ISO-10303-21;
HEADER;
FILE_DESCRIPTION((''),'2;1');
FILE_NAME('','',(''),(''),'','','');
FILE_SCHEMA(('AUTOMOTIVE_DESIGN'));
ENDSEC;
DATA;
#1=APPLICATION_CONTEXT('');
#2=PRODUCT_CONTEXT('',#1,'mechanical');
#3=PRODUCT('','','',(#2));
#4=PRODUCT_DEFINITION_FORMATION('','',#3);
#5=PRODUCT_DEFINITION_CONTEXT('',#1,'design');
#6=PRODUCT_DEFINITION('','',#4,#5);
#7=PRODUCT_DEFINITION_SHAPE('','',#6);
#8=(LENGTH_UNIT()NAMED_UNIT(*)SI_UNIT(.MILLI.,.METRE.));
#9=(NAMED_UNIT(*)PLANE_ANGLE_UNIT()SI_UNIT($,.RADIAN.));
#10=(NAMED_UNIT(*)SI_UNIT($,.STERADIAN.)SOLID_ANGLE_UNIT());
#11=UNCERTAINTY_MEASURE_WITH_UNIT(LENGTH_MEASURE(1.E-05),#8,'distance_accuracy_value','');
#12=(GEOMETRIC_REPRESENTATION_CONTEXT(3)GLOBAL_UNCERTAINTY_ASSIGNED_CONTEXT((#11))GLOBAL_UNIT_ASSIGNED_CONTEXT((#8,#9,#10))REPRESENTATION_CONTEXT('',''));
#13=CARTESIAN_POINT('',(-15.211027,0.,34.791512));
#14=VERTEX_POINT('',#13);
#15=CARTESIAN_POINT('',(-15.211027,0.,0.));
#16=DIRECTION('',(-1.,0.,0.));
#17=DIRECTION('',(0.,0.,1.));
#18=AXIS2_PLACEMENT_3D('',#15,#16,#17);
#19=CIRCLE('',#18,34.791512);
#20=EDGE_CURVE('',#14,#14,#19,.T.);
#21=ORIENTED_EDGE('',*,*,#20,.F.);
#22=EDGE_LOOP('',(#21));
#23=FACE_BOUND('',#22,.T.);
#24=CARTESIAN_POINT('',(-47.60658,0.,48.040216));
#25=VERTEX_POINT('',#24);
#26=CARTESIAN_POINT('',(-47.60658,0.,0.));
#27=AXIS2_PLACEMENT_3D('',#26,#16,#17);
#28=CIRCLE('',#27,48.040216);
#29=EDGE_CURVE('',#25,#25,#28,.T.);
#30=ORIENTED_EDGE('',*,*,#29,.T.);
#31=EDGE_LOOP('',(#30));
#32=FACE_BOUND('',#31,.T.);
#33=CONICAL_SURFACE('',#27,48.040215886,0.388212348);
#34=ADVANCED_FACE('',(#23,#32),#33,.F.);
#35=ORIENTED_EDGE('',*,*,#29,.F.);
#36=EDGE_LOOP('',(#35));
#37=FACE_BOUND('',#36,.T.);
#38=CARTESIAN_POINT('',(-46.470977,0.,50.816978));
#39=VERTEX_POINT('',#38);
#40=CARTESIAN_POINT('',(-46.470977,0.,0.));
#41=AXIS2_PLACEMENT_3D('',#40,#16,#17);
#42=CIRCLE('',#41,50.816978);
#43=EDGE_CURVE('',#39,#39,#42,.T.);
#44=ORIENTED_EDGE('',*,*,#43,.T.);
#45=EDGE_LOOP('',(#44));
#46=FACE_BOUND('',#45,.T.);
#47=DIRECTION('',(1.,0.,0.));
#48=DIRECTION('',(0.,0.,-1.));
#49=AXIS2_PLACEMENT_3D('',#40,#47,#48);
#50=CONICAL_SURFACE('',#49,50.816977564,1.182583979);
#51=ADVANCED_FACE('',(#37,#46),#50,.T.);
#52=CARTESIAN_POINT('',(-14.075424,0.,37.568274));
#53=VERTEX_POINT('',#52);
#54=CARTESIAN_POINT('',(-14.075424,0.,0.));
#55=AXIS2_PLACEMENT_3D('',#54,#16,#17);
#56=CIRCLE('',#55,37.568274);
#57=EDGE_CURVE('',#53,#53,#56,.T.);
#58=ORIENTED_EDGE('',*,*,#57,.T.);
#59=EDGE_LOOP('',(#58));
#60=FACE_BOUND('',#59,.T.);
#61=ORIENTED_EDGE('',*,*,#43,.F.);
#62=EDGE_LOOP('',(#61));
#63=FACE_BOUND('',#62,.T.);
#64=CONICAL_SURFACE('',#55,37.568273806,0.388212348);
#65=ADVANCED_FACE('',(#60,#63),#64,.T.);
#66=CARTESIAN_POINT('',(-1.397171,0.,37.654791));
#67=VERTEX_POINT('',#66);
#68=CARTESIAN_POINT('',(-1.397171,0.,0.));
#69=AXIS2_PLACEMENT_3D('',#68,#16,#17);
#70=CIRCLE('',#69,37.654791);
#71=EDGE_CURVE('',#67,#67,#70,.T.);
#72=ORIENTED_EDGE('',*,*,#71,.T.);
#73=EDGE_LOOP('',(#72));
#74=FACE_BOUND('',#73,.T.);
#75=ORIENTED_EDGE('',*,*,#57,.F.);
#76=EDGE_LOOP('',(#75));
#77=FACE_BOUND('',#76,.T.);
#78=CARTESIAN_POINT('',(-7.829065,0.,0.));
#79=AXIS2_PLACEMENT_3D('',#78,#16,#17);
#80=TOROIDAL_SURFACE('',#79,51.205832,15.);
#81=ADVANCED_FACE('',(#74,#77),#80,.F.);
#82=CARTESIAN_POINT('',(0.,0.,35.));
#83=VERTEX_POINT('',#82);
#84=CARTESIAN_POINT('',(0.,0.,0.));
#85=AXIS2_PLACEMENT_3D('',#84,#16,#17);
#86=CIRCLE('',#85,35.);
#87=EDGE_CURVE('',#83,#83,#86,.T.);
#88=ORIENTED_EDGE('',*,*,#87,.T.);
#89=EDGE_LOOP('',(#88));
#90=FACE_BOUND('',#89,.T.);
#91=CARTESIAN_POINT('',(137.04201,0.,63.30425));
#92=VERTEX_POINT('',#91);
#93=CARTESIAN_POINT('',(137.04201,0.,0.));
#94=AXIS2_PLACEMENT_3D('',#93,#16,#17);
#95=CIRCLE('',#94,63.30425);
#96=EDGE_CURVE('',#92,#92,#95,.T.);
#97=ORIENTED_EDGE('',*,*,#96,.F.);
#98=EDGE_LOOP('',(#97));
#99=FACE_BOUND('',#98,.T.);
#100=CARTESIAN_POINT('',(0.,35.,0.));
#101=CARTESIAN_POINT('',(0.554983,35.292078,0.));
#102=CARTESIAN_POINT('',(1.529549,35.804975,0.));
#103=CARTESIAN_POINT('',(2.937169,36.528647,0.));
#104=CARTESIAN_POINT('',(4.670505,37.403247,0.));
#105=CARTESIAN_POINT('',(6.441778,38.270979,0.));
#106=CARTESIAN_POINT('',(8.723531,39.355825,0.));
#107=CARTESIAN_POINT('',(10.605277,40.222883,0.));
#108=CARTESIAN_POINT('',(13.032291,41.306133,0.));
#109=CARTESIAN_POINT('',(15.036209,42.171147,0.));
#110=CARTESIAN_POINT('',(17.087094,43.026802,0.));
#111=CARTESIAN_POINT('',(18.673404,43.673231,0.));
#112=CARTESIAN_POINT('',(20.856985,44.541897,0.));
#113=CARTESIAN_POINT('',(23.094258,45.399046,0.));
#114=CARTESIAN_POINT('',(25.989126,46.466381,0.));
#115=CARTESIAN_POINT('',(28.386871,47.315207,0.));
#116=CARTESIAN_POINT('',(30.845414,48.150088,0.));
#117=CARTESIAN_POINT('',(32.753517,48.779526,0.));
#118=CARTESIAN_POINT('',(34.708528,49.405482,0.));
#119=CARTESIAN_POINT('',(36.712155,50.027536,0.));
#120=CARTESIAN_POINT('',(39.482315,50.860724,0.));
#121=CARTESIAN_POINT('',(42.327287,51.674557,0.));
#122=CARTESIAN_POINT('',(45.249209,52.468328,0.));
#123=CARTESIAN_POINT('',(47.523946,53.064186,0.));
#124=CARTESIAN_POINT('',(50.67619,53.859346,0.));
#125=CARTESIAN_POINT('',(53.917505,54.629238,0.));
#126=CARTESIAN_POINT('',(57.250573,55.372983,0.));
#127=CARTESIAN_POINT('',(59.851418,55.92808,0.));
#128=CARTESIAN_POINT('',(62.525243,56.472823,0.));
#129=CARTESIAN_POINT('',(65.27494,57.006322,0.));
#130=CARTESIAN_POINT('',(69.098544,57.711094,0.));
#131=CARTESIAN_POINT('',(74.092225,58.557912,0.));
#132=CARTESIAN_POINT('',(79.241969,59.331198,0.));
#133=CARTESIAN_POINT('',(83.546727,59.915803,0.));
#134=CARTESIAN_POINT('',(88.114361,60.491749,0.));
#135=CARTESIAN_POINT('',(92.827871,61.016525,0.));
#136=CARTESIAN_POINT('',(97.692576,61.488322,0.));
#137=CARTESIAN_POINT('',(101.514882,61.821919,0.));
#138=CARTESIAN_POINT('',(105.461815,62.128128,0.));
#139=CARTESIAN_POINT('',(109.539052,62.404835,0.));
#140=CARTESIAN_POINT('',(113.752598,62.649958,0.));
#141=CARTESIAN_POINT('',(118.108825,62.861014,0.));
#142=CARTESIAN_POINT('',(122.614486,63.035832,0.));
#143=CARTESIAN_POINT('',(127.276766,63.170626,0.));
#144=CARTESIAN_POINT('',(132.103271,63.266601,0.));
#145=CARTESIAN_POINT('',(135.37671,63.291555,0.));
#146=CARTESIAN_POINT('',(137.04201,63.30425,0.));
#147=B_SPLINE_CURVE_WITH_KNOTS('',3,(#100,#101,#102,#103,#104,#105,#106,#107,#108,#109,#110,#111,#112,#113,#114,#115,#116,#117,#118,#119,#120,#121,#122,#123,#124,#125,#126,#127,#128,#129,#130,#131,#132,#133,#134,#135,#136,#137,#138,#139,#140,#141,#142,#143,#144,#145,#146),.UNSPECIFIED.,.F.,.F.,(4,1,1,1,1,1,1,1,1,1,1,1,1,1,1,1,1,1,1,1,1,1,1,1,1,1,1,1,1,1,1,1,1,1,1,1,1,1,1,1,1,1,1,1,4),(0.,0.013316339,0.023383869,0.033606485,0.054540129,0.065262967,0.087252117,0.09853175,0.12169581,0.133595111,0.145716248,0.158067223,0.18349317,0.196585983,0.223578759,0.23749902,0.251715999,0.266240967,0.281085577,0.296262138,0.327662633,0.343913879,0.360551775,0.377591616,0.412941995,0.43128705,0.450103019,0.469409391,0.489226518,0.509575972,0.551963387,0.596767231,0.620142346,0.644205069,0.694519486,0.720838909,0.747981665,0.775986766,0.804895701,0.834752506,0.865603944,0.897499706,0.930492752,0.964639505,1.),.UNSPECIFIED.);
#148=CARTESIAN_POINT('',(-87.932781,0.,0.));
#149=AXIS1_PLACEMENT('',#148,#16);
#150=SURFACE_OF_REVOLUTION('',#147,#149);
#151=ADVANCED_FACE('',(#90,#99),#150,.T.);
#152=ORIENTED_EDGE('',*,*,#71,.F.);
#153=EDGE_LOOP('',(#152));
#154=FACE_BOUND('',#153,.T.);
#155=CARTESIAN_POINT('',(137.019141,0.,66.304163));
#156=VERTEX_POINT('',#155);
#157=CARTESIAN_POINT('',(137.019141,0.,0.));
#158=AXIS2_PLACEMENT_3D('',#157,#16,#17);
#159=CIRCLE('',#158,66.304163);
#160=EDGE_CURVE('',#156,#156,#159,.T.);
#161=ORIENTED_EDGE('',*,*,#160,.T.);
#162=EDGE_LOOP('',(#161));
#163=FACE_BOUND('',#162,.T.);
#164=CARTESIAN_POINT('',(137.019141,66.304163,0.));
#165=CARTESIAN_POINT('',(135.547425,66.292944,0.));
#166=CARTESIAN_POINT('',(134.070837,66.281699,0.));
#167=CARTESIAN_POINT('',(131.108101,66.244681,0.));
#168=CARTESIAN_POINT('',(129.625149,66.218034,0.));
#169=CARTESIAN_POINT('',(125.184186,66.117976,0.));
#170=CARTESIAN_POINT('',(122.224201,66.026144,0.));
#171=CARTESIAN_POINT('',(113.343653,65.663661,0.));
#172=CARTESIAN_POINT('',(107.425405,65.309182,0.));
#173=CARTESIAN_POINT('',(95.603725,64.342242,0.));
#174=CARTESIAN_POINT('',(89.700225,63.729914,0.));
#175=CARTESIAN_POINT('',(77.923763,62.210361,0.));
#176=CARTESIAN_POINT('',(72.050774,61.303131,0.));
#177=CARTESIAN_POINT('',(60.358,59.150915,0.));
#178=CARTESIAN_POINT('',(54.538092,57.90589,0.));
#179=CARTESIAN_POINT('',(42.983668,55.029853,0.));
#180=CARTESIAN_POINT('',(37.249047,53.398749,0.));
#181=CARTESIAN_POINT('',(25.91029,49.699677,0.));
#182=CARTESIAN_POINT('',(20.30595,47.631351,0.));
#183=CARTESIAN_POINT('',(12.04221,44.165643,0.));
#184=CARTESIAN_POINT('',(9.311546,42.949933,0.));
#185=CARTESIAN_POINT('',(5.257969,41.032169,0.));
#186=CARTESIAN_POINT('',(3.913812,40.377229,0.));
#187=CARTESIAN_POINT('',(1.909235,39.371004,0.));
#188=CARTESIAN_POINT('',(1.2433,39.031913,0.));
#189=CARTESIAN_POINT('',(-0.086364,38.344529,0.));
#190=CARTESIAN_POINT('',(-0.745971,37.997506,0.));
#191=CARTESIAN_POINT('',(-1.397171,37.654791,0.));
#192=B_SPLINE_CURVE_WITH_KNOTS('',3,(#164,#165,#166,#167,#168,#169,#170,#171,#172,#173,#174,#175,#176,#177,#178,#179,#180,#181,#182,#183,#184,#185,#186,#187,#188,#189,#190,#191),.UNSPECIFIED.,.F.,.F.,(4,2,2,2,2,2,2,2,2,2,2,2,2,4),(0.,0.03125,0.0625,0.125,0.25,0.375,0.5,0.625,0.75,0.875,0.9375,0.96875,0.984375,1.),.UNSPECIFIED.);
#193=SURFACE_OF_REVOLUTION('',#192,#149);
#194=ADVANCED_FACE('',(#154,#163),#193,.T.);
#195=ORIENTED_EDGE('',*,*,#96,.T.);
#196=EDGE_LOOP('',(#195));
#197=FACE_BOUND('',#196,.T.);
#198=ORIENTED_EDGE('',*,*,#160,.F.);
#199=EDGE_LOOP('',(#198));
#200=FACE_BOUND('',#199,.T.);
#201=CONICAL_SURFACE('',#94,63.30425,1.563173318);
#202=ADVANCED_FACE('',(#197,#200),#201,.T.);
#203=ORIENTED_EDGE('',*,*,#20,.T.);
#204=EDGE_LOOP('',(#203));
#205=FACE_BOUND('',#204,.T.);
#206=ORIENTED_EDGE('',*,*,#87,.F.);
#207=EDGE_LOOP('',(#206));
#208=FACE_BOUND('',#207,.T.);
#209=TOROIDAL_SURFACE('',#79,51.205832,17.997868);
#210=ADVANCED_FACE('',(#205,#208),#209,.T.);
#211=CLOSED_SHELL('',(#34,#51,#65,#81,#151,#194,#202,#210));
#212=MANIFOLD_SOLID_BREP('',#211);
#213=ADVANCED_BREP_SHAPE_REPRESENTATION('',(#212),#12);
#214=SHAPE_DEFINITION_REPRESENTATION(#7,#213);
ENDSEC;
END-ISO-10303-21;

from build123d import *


with BuildPart() as part:
    # Sketch1 → Revolve1 (revolve)
    with BuildSketch(Plane.XY, mode=Mode.PRIVATE) as revolve1_sk:
        with BuildLine():
            Line((-14.07542386, 37.568273806), (-46.470976776, 50.816977564))
            Line((-46.470976776, 50.816977564), (-47.606579955, 48.040215886))
            Line((-47.606579955, 48.040215886), (-15.211027039, 34.791512127))
            ThreePointArc((-15.211027039, 34.791512127), (-7.582403195, 33.20965431), (0, 35))
            add(Edge.make_bspline(
                [(0, 35), (0.554982885, 35.292078076), (1.529548525, 35.804975437), (2.937168515, 36.528646974), (4.670505008, 37.403247331), (6.441777952, 38.270978901), (8.72353094, 39.355824676), (10.60527745, 40.222883125), (13.032290671, 41.306133357), (15.036209453, 42.17114709), (17.087094086, 43.02680226), (18.673403682, 43.673231436), (20.856984777, 44.541896716), (23.094257988, 45.39904617), (25.989126484, 46.46638141), (28.386871241, 47.315207138), (30.84541355, 48.150088409), (32.753517217, 48.779526201), (34.708527913, 49.405481958), (36.712155185, 50.027535636), (39.482315388, 50.860724256), (42.327286953, 51.67455728), (45.249208852, 52.468327667), (47.52394585, 53.064185949), (50.676189667, 53.859346127), (53.917505014, 54.629238229), (57.250572852, 55.37298295), (59.851417574, 55.928080058), (62.525243047, 56.472822795), (65.274940322, 57.00632226), (69.098543953, 57.711093835), (74.092224808, 58.5579122), (79.241968973, 59.331198352), (83.546726971, 59.915803354), (88.114361176, 60.491749339), (92.827871443, 61.016524652), (97.692576244, 61.488322173), (101.514881987, 61.821919317), (105.461815144, 62.128127777), (109.539052294, 62.404835389), (113.752598134, 62.649957567), (118.108825402, 62.86101428), (122.614486305, 63.035832281), (127.276766252, 63.170626485), (132.103271493, 63.266601223), (135.376710135, 63.291555158), (137.04201, 63.30425)],
                knots=[0, 0, 0, 0, 0.013316339, 0.023383869, 0.033606485, 0.054540129, 0.065262967, 0.087252117, 0.09853175, 0.12169581, 0.133595111, 0.145716248, 0.158067223, 0.18349317, 0.196585983, 0.223578759, 0.23749902, 0.251715999, 0.266240967, 0.281085577, 0.296262138, 0.327662633, 0.343913879, 0.360551775, 0.377591616, 0.412941995, 0.43128705, 0.450103019, 0.469409391, 0.489226518, 0.509575972, 0.551963387, 0.596767231, 0.620142346, 0.644205069, 0.694519486, 0.720838909, 0.747981665, 0.775986766, 0.804895701, 0.834752506, 0.865603944, 0.897499706, 0.930492752, 0.964639505, 1, 1, 1, 1], degree=3))
            Line((137.04201, 63.30425), (137.019141195, 66.304162835))
            add(Edge.make_bspline(
                [(-1.3971712, 37.654790507), (-0.745970647, 37.99750631), (-0.086364061, 38.34452892), (1.243299523, 39.031913103), (1.909234943, 39.371004332), (3.913812499, 40.377229123), (5.257968525, 41.032169281), (9.31154575, 42.949933492), (12.042210127, 44.165642688), (20.305949906, 47.631351256), (25.910290073, 49.699677139), (37.249046848, 53.398748809), (42.983668181, 55.029852707), (54.5380921, 57.905889985), (60.358000499, 59.150914609), (72.050774464, 61.303130557), (77.923763431, 62.210360725), (89.700224637, 63.729913919), (95.603725032, 64.342241655), (107.425404783, 65.309182419), (113.343652658, 65.663660588), (122.224200636, 66.026144413), (125.184186024, 66.11797589), (129.625148543, 66.218034256), (131.108100806, 66.244680865), (134.070837435, 66.281699318), (135.547424791, 66.29294371), (137.019141195, 66.304162835)],
                knots=[0, 0, 0, 0, 0.015625, 0.015625, 0.03125, 0.03125, 0.0625, 0.0625, 0.125, 0.125, 0.25, 0.25, 0.375, 0.375, 0.5, 0.5, 0.625, 0.625, 0.75, 0.75, 0.875, 0.875, 0.9375, 0.9375, 0.96875, 0.96875, 1, 1, 1, 1], degree=3))
            ThreePointArc((-1.3971712, 37.654790507), (-7.726707385, 36.206181683), (-14.07542386, 37.568273806))
        make_face()
    revolve(revolve1_sk.sketch.rotate(Axis((-87.932781481, 0, 0), (1, 0, 0)), 90), axis=Axis((-87.932781481, 0, 0), (1, 0, 0)))


solid = part.part
